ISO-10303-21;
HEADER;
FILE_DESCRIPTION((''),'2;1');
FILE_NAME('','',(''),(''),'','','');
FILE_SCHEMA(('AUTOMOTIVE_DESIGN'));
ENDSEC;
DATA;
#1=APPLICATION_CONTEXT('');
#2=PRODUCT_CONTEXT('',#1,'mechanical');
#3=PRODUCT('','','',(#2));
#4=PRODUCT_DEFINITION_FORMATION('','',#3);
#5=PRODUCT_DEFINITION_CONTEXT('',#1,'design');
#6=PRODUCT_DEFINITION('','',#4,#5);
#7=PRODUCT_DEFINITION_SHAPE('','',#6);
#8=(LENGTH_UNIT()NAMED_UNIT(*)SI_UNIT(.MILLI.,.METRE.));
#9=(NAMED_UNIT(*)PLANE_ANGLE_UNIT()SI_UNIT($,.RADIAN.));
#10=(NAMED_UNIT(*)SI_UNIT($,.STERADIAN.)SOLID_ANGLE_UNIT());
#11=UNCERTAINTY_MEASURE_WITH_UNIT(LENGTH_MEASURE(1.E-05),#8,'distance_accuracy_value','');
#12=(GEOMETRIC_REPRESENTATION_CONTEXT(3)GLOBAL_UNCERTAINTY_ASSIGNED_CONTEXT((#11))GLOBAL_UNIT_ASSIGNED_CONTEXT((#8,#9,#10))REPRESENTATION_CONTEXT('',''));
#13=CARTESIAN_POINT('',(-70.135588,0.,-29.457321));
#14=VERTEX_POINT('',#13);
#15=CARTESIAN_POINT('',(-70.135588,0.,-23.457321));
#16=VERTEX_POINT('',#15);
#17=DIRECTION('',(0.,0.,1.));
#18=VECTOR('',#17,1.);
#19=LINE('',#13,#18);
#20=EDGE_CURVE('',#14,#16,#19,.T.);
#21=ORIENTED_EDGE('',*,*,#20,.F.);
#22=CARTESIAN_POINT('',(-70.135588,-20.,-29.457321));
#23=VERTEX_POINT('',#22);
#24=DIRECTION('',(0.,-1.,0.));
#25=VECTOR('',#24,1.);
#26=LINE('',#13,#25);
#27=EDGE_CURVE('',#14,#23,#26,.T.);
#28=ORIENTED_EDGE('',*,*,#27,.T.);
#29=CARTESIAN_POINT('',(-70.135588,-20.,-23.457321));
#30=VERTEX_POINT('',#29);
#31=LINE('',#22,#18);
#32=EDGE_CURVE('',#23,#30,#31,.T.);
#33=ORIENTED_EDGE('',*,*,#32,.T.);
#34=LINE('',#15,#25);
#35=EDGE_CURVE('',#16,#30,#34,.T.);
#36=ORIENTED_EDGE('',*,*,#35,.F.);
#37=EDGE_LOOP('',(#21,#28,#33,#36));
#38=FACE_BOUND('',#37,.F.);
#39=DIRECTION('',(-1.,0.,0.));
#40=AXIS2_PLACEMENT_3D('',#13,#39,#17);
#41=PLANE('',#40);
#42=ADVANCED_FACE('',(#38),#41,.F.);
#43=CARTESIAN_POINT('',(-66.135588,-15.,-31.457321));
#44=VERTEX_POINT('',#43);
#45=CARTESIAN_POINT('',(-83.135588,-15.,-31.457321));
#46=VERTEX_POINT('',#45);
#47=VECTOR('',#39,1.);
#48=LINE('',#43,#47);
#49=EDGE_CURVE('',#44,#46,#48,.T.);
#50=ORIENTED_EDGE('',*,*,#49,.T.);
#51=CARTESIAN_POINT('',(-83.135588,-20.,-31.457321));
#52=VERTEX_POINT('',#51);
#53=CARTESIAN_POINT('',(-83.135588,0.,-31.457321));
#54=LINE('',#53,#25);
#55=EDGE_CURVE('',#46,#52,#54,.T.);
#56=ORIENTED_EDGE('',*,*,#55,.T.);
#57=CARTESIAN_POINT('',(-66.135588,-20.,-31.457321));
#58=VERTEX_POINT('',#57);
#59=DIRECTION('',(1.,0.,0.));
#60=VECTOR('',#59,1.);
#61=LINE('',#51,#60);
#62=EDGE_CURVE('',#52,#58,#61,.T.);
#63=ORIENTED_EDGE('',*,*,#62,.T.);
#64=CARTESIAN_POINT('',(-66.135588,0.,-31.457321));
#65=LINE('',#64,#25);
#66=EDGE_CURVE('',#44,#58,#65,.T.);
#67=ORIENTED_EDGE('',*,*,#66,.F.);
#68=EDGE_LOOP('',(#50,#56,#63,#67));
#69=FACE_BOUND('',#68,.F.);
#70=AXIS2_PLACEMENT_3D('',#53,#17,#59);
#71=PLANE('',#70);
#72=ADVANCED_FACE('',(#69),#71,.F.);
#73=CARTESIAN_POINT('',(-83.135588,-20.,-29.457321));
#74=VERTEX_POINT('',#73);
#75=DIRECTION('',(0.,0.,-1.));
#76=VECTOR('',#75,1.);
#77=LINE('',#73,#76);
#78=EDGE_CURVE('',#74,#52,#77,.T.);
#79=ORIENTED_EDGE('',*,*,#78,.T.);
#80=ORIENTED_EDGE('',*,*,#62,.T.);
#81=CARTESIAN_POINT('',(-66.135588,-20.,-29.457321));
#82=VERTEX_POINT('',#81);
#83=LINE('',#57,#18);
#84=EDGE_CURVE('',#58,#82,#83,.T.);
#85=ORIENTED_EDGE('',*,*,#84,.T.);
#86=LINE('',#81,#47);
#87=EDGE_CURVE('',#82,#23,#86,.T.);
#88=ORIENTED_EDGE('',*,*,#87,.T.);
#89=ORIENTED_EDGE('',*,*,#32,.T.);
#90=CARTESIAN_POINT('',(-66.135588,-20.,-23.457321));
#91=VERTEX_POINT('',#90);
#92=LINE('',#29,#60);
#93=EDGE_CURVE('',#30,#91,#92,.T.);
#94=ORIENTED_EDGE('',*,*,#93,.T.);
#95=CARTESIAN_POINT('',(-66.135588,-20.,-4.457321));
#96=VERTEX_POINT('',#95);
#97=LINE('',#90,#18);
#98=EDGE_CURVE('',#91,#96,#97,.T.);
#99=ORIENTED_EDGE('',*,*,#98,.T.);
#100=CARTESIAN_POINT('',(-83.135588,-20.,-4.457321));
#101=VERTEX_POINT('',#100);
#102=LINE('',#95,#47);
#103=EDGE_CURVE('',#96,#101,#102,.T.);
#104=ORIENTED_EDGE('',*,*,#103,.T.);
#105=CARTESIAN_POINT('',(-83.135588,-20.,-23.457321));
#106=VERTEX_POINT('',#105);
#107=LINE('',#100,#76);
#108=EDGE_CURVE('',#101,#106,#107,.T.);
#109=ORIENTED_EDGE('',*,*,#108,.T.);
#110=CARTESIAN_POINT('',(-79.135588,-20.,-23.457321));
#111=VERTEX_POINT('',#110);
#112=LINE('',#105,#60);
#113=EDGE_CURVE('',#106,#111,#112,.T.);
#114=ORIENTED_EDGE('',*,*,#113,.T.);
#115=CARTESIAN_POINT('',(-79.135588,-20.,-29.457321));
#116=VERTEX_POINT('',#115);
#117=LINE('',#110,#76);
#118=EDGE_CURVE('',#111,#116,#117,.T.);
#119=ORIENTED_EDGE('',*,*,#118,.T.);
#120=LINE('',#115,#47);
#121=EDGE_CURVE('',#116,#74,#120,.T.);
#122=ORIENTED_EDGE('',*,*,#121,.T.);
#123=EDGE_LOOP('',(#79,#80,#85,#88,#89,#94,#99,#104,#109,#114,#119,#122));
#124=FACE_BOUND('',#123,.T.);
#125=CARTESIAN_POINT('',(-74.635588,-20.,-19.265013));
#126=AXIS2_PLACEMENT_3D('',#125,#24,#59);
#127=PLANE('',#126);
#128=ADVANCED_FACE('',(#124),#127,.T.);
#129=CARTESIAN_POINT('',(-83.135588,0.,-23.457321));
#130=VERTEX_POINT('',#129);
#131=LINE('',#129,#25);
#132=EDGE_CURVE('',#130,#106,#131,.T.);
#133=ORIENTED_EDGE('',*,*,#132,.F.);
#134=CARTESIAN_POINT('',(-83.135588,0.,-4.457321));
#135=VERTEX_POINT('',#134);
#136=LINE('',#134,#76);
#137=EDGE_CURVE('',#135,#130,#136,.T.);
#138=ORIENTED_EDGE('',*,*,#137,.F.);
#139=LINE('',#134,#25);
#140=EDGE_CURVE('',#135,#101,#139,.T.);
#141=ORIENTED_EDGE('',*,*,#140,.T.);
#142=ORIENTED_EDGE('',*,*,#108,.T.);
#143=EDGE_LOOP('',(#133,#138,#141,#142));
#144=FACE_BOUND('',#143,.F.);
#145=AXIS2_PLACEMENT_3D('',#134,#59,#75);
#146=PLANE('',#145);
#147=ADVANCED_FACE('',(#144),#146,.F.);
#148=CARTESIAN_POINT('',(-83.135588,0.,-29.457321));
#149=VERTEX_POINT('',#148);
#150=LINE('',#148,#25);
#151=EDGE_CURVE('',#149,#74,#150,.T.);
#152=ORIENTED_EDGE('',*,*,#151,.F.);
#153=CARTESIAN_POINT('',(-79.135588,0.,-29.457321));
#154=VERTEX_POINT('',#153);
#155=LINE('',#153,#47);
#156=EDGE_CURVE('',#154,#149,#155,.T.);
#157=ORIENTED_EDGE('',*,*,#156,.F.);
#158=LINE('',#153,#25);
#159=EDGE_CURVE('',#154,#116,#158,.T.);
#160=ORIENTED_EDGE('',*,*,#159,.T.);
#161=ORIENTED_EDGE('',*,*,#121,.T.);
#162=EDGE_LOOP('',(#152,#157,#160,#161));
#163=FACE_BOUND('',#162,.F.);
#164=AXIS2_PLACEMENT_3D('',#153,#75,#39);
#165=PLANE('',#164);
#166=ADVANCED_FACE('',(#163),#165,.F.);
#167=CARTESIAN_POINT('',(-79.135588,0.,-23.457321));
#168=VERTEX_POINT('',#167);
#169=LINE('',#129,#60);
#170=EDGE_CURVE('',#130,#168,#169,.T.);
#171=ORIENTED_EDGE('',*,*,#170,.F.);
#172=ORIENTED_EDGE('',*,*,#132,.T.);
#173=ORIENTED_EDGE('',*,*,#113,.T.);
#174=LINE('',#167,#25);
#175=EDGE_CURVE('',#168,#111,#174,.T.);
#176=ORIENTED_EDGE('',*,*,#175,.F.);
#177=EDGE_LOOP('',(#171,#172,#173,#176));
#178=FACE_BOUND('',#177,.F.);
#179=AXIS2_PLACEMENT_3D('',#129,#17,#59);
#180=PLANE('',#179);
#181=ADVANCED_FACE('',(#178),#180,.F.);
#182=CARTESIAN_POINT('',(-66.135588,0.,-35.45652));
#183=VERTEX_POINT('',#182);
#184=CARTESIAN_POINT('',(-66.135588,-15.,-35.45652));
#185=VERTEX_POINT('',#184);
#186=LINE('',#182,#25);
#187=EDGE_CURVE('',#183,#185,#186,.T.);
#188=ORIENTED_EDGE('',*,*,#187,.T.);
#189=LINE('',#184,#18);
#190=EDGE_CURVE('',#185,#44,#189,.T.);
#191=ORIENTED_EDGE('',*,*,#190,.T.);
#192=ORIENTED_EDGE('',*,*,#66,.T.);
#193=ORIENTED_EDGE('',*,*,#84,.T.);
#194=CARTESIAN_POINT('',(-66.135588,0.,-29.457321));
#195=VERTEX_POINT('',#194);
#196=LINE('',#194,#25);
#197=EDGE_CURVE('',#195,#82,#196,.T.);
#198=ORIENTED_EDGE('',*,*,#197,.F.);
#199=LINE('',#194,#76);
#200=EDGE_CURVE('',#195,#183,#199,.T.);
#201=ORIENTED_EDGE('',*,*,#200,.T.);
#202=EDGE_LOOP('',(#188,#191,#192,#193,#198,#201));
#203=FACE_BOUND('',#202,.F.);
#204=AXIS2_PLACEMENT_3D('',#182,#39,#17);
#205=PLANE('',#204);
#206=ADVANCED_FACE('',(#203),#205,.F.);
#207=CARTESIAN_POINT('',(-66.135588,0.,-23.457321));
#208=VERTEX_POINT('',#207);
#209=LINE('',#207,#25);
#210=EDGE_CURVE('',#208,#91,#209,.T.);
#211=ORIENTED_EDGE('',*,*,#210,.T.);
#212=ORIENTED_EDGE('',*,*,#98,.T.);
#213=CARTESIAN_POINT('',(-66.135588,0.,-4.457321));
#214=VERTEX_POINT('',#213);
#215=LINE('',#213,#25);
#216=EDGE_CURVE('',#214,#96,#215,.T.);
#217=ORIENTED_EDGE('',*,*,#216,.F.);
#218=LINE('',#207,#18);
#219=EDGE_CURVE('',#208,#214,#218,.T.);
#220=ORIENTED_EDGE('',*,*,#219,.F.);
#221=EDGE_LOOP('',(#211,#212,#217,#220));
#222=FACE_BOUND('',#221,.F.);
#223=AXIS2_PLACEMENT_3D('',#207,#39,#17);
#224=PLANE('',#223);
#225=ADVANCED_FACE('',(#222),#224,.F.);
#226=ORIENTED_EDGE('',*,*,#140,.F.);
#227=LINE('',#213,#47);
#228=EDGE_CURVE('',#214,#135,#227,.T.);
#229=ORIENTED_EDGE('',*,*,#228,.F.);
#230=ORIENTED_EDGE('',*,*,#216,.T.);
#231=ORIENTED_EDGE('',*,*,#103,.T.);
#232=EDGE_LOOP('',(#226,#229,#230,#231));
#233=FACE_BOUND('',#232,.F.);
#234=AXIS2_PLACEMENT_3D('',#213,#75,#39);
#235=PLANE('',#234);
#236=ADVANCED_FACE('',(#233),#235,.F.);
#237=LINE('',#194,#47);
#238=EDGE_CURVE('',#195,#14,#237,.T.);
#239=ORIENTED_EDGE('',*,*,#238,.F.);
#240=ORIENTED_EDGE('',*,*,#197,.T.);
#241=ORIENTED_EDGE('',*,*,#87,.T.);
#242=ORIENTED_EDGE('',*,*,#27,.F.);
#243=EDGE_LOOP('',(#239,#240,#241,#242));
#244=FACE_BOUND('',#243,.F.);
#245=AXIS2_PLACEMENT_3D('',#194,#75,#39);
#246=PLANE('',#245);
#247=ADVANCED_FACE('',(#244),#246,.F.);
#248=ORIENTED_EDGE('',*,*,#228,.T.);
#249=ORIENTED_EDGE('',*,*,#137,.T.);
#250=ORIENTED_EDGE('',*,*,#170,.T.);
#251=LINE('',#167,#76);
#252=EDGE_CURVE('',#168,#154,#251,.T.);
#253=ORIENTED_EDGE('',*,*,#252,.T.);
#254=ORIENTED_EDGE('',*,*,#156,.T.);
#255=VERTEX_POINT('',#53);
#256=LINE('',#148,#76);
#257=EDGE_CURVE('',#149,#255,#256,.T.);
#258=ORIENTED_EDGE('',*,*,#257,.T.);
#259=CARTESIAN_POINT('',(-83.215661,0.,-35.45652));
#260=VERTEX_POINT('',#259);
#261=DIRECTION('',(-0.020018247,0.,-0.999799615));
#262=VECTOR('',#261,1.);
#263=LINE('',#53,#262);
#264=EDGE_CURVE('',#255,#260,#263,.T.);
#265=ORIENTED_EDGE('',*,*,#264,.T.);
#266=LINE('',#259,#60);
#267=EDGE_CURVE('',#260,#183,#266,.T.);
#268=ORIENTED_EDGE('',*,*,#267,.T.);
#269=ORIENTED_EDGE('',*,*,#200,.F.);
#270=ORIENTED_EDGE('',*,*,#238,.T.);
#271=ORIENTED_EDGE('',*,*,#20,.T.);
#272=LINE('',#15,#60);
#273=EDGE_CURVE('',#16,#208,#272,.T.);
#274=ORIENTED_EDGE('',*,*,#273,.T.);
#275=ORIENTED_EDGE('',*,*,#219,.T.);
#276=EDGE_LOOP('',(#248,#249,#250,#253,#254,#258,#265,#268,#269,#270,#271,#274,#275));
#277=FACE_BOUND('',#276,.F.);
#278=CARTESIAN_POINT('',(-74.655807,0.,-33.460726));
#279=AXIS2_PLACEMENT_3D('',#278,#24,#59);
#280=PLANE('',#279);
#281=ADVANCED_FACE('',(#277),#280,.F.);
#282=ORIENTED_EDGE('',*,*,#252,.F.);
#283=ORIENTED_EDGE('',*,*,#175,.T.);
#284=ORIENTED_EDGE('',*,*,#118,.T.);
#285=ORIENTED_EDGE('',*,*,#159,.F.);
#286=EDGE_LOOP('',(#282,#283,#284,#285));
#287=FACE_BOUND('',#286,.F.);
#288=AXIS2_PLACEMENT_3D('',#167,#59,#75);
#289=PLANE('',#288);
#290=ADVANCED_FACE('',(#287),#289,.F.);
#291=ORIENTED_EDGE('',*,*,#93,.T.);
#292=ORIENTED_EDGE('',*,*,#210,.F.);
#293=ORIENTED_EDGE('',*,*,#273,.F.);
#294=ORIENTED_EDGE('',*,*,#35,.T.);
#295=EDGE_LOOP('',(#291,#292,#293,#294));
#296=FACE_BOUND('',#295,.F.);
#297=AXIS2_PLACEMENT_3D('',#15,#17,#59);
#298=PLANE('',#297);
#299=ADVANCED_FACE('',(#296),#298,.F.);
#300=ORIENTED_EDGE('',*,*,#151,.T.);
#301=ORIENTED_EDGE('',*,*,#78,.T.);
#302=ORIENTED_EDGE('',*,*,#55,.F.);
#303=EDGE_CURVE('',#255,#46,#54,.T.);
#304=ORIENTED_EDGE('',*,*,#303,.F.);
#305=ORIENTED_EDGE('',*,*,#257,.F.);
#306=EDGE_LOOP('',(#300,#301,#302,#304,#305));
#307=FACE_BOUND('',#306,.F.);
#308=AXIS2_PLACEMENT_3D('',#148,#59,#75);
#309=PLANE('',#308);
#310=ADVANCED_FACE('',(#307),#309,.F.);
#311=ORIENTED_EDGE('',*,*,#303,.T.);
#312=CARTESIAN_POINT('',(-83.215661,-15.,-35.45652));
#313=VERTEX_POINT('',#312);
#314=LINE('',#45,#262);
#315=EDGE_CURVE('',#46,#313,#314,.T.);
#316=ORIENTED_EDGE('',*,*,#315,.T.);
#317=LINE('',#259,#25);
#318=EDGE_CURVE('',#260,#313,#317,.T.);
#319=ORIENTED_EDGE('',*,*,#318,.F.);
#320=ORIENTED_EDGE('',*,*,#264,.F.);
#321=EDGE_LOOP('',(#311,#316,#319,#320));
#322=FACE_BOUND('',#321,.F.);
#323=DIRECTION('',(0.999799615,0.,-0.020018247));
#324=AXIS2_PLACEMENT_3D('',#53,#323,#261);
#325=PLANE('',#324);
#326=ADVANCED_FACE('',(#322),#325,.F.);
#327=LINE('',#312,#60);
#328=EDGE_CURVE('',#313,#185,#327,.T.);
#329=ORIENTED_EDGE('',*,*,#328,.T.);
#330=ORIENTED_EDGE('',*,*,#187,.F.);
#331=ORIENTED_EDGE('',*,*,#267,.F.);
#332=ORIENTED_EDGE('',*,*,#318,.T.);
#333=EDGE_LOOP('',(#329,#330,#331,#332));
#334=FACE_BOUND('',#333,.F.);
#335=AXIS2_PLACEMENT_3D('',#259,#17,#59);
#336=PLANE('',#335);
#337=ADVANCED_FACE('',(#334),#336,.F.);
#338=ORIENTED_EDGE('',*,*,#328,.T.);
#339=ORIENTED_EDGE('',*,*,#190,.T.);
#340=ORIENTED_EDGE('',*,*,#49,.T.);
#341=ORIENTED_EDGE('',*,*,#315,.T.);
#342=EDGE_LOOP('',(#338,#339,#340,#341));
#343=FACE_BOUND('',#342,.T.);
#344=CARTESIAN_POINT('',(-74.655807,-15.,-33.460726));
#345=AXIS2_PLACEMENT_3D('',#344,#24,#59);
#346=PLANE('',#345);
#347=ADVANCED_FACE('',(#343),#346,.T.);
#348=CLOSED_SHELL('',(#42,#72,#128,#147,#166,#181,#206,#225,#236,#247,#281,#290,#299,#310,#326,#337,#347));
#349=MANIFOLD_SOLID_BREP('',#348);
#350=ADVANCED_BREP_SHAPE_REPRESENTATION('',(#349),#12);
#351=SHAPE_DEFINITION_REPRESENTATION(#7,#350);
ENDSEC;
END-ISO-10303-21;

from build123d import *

# Parameters (mm, degrees)
F1_DEPTH = 20
F2_DEPTH = 15


with BuildPart() as f1:
    # F0 (on Front) → F1 (new body)
    with BuildSketch(Plane.XZ):
        Polygon((-66.135588, -4.457321), (-83.135588, -4.457321), (-83.135588, -23.457321), (-79.135588, -23.457321), (-79.135588, -29.457321), (-83.135588, -29.457321), (-83.135588, -31.457321), (-66.135588, -31.457321), (-66.135588, -29.457321), (-70.135588, -29.457321), (-70.135588, -23.457321), (-66.135588, -23.457321), align=None)
    extrude(amount=F1_DEPTH)

    # F0 (on Front) → F2 (join)
    with BuildSketch(Plane.XZ):
        Polygon((-66.135588, -31.457321), (-83.135588, -31.457321), (-83.215661, -35.45652), (-66.135588, -35.45652), align=None)
    extrude(amount=F2_DEPTH)


solid = f1.part
